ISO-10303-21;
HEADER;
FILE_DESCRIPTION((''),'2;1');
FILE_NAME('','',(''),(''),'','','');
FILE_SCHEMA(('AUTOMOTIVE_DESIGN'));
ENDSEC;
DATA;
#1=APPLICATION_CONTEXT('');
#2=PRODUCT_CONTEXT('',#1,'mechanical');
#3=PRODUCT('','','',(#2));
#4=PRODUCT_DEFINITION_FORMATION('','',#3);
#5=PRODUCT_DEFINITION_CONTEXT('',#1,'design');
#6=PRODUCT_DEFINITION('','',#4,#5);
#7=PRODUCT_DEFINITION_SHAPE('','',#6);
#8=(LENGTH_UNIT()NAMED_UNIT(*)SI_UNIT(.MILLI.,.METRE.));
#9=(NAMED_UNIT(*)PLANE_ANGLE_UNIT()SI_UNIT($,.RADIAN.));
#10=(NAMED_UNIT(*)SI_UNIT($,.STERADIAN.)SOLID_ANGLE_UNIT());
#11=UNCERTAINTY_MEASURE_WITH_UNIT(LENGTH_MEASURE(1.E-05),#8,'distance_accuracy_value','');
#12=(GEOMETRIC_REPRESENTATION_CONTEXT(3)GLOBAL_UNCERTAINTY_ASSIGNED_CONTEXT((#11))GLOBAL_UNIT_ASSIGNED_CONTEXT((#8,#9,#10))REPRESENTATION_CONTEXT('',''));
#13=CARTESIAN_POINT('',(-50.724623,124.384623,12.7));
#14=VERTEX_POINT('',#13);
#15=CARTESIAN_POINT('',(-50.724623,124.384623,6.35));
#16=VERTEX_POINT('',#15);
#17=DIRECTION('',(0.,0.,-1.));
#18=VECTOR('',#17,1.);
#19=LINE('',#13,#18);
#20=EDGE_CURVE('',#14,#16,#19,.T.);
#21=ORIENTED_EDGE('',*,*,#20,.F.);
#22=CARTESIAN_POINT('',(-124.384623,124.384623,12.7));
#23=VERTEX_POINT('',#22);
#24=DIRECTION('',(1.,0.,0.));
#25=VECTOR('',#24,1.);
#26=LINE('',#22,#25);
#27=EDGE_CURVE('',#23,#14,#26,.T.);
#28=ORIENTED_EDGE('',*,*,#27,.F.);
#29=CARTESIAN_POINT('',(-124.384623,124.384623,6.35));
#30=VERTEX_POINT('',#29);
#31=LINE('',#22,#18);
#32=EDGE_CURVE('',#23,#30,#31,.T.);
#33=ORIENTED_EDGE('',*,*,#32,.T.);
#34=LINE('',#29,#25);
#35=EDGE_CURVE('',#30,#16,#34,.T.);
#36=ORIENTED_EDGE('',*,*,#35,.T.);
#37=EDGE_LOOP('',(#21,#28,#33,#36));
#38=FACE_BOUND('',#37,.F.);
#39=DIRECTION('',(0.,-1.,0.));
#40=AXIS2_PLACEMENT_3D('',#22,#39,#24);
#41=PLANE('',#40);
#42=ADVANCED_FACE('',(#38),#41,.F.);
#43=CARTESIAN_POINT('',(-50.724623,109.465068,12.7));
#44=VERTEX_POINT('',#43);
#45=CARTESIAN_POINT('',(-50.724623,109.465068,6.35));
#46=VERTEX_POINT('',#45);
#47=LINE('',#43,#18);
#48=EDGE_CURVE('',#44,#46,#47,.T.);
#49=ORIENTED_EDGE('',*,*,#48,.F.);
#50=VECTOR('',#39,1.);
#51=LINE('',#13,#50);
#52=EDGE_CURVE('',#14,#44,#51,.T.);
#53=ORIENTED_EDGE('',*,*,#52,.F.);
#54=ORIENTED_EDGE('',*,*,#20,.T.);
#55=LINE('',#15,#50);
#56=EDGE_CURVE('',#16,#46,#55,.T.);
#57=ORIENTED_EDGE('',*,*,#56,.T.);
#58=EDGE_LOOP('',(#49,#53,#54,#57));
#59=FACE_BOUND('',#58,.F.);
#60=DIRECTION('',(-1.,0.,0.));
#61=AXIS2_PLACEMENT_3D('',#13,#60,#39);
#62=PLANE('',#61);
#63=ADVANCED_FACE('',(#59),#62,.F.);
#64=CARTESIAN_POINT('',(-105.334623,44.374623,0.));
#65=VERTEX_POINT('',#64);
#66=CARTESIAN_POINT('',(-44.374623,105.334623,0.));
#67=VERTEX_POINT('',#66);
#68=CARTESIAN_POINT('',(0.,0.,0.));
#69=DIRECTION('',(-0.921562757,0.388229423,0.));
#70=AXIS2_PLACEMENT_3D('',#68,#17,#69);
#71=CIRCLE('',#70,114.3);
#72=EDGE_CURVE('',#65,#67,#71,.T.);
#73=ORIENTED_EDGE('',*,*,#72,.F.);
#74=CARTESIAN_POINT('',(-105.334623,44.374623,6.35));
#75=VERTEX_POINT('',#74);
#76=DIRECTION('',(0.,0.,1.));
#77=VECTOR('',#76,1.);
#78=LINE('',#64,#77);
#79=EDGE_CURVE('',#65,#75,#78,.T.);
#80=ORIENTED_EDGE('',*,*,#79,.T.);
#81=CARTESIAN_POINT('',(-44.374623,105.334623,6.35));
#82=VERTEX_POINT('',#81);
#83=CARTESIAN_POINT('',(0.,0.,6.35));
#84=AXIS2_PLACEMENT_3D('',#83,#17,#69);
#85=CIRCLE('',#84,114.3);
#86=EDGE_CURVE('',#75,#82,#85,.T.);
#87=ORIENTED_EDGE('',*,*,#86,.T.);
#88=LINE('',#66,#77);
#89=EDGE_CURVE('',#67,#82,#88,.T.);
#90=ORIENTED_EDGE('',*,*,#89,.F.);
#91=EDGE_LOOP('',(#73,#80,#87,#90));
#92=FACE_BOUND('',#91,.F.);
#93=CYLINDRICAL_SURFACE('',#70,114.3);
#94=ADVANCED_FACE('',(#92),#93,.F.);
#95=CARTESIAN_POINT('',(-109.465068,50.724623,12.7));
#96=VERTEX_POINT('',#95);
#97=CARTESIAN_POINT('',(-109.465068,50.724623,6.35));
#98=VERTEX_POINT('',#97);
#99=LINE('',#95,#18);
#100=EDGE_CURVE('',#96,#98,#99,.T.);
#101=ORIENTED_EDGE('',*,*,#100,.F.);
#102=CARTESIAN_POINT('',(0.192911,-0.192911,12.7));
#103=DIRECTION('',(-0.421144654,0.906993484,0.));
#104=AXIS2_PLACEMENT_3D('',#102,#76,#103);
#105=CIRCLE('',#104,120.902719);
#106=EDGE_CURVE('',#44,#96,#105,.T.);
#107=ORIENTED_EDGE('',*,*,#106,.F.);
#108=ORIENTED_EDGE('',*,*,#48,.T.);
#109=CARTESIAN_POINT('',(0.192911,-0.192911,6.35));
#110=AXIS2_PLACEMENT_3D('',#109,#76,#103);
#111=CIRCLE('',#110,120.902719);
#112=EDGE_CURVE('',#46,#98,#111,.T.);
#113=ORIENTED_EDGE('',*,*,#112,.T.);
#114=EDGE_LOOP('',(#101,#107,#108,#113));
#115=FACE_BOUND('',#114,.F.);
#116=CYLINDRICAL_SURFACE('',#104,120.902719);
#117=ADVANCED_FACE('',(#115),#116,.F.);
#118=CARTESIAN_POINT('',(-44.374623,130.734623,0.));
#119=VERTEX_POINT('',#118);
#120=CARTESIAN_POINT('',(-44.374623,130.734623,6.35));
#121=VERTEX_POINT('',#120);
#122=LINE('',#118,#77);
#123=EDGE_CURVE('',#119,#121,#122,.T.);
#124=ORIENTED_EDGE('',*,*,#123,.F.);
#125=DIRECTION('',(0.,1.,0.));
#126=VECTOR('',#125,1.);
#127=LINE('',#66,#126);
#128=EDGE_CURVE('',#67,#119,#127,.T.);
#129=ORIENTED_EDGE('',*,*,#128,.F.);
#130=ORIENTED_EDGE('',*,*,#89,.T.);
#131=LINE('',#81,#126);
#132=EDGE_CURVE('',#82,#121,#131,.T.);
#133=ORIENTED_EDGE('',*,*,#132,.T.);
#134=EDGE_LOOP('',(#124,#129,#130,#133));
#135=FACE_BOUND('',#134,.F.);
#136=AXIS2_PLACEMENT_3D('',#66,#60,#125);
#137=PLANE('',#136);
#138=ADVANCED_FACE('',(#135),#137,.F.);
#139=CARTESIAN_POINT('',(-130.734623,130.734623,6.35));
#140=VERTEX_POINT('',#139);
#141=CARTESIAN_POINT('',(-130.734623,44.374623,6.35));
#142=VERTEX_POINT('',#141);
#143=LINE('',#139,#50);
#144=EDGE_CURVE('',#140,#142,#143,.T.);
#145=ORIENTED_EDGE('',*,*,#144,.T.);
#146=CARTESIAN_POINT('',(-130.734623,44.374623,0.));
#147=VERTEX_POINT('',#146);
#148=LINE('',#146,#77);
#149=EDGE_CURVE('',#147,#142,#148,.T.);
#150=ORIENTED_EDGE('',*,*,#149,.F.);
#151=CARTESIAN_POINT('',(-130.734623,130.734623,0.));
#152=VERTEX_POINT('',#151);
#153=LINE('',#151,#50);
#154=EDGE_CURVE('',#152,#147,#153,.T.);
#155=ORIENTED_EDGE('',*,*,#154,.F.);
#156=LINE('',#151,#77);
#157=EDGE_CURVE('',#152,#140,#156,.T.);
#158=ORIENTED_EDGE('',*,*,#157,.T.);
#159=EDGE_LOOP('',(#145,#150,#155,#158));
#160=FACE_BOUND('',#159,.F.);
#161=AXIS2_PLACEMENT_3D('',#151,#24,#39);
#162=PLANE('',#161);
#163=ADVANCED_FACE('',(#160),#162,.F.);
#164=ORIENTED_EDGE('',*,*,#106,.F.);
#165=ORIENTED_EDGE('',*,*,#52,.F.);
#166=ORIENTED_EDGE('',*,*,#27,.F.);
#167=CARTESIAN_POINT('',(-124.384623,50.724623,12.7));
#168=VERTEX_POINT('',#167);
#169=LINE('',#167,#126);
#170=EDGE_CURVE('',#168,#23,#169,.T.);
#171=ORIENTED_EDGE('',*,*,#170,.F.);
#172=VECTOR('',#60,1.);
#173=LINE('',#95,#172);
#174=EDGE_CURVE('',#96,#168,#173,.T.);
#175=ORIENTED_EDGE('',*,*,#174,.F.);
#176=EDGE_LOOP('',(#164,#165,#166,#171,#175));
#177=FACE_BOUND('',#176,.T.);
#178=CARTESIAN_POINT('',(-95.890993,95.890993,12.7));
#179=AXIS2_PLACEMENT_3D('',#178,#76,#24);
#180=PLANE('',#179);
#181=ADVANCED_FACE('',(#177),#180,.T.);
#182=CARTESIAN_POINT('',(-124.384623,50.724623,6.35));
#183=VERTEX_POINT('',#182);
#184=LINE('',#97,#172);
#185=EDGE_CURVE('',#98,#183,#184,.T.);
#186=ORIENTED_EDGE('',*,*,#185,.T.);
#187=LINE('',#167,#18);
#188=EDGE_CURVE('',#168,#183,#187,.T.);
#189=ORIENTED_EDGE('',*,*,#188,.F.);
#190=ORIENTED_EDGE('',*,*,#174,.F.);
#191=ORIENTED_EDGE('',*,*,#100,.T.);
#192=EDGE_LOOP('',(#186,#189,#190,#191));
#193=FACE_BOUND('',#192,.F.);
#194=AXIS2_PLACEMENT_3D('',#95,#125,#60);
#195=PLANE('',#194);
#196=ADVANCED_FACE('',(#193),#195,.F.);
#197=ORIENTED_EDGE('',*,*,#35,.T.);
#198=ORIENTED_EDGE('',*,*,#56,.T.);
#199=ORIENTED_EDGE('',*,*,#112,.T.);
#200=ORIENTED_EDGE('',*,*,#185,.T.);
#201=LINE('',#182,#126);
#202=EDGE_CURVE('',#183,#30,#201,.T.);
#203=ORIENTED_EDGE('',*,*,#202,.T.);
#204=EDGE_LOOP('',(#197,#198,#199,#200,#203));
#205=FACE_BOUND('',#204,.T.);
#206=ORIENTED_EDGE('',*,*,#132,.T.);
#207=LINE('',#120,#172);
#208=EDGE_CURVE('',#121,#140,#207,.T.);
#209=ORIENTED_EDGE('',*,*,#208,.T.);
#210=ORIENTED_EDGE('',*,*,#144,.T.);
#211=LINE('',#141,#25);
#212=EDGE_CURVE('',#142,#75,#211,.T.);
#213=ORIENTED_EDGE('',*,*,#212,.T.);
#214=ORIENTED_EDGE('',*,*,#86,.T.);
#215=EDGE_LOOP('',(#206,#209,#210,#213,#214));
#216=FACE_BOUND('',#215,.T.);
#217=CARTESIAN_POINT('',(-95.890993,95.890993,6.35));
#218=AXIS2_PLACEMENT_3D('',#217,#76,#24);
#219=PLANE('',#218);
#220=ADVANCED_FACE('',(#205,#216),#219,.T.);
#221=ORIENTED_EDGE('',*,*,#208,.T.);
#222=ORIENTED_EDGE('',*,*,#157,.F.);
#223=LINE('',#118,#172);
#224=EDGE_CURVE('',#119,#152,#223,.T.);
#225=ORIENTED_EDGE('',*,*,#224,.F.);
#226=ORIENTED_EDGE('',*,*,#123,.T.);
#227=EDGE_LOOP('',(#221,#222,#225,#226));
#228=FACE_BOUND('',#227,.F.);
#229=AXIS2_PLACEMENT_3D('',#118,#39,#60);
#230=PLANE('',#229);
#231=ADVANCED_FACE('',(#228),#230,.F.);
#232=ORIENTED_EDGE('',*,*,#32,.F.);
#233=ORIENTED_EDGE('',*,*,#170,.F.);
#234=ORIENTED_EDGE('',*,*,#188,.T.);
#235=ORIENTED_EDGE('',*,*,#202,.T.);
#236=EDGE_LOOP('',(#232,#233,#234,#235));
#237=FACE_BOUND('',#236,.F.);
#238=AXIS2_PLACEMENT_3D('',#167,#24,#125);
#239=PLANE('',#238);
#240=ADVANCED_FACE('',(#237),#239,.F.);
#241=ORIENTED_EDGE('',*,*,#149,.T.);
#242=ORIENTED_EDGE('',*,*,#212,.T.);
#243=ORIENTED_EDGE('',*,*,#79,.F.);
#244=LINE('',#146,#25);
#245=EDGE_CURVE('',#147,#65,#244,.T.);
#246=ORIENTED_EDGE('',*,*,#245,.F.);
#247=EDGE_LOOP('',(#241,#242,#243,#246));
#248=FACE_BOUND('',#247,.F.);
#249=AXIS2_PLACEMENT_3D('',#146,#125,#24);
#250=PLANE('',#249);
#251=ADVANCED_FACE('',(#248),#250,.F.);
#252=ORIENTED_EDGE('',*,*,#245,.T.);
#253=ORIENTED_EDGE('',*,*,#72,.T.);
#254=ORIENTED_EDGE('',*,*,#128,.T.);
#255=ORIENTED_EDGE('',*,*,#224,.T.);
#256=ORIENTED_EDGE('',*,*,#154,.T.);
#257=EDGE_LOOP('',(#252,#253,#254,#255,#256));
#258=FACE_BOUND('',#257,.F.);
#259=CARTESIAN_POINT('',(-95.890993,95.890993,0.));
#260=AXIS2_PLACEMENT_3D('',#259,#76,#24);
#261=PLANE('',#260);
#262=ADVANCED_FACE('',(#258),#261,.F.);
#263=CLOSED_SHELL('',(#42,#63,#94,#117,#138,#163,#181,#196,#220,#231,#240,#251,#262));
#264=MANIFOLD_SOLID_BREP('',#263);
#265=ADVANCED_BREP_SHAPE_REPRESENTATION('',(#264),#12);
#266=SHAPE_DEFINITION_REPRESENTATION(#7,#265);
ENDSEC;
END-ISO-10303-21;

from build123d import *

# Parameters (mm, degrees)
F1_DEPTH = 12.7
F3_DEPTH = 6.35


with BuildPart() as f1:
    # F0 (on Top) → F1 (new body)
    with BuildSketch(Plane.XY):
        with BuildLine():
            Line((-44.3746231037, 130.7346231037), (-130.7346231037, 130.7346231037))
            Line((-130.7346231037, 130.7346231037), (-130.7346231037, 44.3746231037))
            Line((-130.7346231037, 44.3746231037), (-105.3346231037, 44.3746231037))
            ThreePointArc((-105.3346231037, 44.3746231037), (-80.8223050896, 80.8223050896), (-44.3746231037, 105.3346231037))
            Line((-44.3746231037, 105.3346231037), (-44.3746231037, 130.7346231037))
        make_face()
    extrude(amount=F1_DEPTH)

    # F2 (on face) → F3 (cut)
    with BuildSketch(Plane.XY.offset(12.7)):
        with BuildLine():
            Line((-44.3746231037, 130.7346231037), (-130.7346231037, 130.7346231037))
            Line((-130.7346231037, 130.7346231037), (-130.7346231037, 44.3746231037))
            Line((-130.7346231037, 44.3746231037), (-105.3346231037, 44.3746231037))
            ThreePointArc((-105.3346231037, 44.3746231037), (-80.8223050896, 80.8223050896), (-44.3746231037, 105.3346231037))
            Line((-44.3746231037, 105.3346231037), (-44.3746231037, 130.7346231037))
        make_face()
        with BuildLine():
            Line((-124.3846231037, 124.3846231037), (-50.7246231037, 124.3846231037))
            Line((-50.7246231037, 124.3846231037), (-50.7246231037, 109.4650677811))
            ThreePointArc((-50.7246231037, 109.4650677811), (-85.2982218646, 85.2982218646), (-109.4650677811, 50.7246231037))
            Line((-109.4650677811, 50.7246231037), (-124.3846231037, 50.7246231037))
            Line((-124.3846231037, 50.7246231037), (-124.3846231037, 124.3846231037))
        make_face(mode=Mode.SUBTRACT)
    extrude(amount=-F3_DEPTH, mode=Mode.SUBTRACT)


solid = f1.part
